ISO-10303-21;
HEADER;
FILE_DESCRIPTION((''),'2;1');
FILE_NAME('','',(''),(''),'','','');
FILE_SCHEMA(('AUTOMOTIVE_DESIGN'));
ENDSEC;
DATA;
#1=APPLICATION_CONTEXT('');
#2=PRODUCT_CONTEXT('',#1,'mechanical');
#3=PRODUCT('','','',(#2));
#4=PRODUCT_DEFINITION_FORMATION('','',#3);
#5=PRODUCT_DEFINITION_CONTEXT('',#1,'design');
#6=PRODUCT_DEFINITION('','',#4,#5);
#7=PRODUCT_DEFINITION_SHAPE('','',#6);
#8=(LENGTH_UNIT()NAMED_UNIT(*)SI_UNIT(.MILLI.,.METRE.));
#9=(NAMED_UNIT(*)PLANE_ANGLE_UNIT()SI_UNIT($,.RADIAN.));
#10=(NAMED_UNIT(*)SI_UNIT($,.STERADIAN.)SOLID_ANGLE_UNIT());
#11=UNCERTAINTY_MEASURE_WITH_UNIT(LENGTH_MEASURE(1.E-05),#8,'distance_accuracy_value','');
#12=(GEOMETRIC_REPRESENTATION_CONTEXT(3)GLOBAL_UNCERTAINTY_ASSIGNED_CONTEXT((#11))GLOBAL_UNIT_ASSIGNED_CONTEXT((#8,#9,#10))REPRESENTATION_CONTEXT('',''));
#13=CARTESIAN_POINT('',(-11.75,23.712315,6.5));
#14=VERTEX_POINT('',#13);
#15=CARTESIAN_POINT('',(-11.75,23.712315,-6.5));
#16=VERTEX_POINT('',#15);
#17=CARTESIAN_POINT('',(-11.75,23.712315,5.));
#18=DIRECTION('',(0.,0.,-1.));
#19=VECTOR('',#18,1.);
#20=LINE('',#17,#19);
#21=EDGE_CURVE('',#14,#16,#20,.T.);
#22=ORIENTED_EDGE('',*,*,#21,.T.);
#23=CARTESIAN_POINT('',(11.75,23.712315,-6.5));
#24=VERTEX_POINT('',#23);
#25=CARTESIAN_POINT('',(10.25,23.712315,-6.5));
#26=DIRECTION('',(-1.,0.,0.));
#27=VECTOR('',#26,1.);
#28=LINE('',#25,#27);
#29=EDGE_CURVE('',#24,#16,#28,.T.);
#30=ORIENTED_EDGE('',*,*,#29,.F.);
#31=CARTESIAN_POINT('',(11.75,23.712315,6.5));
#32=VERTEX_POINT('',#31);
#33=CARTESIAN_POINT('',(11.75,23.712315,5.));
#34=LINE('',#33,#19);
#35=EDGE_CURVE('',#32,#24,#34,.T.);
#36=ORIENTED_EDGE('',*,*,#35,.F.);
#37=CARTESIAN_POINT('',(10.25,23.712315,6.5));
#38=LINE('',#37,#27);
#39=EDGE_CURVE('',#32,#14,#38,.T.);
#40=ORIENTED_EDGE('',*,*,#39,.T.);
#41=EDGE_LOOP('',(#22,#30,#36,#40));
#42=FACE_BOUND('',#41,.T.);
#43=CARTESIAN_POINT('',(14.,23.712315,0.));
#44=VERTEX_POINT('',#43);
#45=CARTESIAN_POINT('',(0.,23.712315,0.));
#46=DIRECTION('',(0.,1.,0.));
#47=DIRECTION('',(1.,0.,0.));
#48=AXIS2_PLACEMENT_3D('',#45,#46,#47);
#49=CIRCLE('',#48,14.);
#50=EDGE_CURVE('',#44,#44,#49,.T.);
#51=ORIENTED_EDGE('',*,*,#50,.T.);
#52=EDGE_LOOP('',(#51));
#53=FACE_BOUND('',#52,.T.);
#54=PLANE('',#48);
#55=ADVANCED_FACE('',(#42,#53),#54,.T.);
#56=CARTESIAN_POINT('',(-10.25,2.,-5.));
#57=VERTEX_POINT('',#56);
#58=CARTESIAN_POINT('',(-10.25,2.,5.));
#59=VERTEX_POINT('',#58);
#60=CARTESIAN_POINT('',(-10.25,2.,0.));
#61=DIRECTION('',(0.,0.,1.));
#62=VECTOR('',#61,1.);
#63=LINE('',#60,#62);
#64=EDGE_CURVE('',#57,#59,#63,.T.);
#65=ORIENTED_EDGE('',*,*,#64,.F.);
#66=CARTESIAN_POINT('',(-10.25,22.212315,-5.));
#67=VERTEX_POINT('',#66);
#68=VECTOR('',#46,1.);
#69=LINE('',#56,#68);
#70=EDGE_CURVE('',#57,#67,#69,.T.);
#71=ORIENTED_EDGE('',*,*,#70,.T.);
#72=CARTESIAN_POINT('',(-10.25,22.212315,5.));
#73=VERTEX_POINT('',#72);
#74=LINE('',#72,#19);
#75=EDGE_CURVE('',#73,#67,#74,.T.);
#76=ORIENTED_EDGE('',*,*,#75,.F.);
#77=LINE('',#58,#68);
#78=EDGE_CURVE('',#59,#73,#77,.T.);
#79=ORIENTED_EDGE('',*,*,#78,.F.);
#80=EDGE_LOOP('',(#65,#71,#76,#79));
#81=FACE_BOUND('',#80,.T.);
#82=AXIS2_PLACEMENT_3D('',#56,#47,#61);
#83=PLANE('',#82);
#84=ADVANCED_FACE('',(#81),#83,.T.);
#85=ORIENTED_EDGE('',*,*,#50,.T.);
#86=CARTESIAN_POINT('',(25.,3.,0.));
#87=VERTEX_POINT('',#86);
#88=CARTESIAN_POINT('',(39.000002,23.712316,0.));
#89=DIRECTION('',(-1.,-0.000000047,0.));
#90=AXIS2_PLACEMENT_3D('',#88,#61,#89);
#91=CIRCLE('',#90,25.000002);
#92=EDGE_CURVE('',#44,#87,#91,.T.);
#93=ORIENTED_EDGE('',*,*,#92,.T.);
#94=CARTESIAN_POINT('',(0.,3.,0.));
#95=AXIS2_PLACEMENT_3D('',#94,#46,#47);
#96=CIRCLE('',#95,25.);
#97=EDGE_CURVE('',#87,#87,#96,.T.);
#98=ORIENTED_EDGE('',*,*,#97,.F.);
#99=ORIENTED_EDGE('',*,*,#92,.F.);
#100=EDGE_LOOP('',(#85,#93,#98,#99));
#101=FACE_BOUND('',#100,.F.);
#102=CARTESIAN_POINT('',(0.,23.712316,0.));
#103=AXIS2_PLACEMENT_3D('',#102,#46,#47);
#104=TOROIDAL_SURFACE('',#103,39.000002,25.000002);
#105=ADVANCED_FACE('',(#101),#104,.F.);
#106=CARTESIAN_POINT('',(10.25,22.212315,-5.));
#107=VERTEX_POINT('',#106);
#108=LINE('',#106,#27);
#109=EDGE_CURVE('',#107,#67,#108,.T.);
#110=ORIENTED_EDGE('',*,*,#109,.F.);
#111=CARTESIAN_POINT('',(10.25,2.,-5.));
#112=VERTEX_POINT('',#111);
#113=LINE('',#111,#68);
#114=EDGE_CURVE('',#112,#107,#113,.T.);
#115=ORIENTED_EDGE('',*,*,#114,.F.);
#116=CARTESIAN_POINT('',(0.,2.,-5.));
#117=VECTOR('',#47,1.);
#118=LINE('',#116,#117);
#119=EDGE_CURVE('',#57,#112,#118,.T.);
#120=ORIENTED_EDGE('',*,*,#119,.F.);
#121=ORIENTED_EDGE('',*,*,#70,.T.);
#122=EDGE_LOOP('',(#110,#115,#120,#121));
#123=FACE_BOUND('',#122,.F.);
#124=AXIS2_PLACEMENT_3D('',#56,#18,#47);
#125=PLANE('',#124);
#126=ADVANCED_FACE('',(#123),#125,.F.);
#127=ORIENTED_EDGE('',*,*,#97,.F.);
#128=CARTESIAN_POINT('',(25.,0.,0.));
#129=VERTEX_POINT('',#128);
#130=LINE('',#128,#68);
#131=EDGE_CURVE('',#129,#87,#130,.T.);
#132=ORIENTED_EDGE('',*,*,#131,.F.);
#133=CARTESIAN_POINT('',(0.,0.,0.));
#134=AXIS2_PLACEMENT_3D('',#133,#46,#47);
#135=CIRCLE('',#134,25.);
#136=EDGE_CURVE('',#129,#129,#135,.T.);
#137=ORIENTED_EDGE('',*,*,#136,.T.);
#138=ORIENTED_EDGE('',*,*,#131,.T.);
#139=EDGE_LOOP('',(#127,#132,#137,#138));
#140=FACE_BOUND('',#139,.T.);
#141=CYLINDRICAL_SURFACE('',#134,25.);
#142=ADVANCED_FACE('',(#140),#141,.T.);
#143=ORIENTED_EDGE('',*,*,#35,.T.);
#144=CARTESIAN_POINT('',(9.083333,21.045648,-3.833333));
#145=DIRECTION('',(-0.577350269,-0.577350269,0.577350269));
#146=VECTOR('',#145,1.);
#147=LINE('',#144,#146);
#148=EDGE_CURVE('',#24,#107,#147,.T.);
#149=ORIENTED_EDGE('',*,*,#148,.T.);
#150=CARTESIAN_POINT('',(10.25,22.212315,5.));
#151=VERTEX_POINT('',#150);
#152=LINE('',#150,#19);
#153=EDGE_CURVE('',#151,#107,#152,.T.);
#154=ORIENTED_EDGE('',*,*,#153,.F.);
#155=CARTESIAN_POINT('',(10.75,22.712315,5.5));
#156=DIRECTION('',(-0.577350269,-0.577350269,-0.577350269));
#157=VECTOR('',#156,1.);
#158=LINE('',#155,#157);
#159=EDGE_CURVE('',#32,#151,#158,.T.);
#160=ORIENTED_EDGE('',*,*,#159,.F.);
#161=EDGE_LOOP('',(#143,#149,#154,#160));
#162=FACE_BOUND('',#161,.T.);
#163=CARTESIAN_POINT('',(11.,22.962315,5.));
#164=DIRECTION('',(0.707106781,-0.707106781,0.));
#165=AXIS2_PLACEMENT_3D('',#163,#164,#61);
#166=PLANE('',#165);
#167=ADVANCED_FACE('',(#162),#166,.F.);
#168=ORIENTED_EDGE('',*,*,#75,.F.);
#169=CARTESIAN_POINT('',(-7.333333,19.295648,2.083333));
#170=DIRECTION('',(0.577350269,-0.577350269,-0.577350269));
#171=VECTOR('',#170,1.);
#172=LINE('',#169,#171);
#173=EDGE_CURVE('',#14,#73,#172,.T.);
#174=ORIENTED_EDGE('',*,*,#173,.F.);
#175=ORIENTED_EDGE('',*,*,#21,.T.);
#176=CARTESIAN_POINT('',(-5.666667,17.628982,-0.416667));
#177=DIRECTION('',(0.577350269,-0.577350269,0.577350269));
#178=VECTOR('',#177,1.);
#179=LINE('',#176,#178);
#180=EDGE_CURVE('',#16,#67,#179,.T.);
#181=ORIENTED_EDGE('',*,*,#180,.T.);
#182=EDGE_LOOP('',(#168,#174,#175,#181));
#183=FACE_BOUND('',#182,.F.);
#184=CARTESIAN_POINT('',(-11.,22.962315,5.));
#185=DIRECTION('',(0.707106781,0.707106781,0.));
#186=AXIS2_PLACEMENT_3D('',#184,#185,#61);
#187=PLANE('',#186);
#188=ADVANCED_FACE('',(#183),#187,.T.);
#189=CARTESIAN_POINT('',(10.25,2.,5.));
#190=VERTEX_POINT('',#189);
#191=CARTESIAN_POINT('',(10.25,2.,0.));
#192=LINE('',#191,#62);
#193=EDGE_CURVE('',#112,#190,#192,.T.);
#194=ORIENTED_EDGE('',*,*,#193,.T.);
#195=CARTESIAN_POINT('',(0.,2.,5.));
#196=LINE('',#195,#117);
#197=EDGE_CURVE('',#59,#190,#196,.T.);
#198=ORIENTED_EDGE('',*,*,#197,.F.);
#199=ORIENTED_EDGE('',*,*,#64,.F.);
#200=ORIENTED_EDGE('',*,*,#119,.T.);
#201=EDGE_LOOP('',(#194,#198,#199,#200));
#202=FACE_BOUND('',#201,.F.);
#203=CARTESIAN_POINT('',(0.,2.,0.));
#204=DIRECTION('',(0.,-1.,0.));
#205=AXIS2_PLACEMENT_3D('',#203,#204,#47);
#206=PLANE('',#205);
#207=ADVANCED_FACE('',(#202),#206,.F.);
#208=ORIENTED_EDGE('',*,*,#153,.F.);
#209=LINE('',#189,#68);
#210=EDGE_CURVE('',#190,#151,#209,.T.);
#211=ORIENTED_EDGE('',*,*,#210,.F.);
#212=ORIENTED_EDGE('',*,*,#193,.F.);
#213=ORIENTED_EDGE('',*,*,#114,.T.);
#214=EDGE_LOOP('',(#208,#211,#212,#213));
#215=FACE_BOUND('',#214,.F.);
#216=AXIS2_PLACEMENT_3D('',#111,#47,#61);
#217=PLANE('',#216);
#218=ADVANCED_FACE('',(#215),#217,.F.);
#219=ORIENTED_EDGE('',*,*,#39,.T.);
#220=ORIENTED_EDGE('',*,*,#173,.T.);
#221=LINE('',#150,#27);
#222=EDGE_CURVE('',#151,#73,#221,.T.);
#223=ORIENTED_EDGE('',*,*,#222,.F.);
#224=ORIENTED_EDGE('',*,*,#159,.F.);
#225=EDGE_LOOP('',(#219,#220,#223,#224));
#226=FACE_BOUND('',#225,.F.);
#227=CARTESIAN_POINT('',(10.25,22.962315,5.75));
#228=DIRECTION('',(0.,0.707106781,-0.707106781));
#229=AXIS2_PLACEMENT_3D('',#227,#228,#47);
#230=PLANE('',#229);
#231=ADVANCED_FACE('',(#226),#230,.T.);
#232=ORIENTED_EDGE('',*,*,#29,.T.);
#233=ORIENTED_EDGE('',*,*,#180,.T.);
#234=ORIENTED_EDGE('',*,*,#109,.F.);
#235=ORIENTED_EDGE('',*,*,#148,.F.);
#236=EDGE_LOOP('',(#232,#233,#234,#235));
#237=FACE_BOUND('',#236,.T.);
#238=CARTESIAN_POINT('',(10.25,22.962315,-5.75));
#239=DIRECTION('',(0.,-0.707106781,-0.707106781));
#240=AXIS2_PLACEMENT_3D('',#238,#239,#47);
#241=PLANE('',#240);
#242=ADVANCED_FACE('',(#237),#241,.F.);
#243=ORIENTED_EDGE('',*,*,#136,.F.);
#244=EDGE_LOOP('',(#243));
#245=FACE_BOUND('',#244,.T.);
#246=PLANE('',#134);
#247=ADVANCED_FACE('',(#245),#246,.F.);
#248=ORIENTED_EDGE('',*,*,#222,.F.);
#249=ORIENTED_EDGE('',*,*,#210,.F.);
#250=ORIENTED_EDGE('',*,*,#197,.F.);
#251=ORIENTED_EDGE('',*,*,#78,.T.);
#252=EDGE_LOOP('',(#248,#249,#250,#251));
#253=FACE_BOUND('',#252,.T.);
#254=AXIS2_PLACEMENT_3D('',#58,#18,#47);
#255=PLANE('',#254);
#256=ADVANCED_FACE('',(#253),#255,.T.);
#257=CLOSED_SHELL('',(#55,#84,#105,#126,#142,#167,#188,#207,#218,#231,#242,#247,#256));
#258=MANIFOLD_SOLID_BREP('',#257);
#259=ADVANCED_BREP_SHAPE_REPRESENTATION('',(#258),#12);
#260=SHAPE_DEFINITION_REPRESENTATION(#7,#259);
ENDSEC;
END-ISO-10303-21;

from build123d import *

# Parameters (mm, degrees)
SKETCH001_W  = 20.5
SKETCH001_H  = 10
POCKET_DEPTH = 21.713315
CHAMFER_SIZE = 1.5


with BuildPart() as part:
    # Sketch → Revolution (revolve)
    with BuildSketch(Plane.XY):
        with BuildLine():
            Line((0, 0), (25, 0))
            Line((25, 0), (25, 3))
            ThreePointArc((14, 23.712315), (16.920598, 11.986276), (25, 3))
            Line((14, 23.712315), (0, 23.712315))
            Line((0, 23.712315), (0, 0))
        make_face()
    revolve(axis=Axis((0, 0, 0), (0, 1, 0)))

    # Sketch001 → Pocket (cut, through all)
    with BuildSketch(Plane.XZ.offset(-2)):
        Rectangle(SKETCH001_W, SKETCH001_H)
    extrude(amount=-POCKET_DEPTH, mode=Mode.SUBTRACT)

    # Chamfer
    chamfer_edges = [part.edges().sort_by_distance(p)[0] for p in [
        (0, 23.712315, -5),
        (10.25, 23.712315, 0),
        (0, 23.712315, 5),
        (-10.25, 23.712315, 0),
    ]]
    chamfer(chamfer_edges, length=CHAMFER_SIZE)


solid = part.part
